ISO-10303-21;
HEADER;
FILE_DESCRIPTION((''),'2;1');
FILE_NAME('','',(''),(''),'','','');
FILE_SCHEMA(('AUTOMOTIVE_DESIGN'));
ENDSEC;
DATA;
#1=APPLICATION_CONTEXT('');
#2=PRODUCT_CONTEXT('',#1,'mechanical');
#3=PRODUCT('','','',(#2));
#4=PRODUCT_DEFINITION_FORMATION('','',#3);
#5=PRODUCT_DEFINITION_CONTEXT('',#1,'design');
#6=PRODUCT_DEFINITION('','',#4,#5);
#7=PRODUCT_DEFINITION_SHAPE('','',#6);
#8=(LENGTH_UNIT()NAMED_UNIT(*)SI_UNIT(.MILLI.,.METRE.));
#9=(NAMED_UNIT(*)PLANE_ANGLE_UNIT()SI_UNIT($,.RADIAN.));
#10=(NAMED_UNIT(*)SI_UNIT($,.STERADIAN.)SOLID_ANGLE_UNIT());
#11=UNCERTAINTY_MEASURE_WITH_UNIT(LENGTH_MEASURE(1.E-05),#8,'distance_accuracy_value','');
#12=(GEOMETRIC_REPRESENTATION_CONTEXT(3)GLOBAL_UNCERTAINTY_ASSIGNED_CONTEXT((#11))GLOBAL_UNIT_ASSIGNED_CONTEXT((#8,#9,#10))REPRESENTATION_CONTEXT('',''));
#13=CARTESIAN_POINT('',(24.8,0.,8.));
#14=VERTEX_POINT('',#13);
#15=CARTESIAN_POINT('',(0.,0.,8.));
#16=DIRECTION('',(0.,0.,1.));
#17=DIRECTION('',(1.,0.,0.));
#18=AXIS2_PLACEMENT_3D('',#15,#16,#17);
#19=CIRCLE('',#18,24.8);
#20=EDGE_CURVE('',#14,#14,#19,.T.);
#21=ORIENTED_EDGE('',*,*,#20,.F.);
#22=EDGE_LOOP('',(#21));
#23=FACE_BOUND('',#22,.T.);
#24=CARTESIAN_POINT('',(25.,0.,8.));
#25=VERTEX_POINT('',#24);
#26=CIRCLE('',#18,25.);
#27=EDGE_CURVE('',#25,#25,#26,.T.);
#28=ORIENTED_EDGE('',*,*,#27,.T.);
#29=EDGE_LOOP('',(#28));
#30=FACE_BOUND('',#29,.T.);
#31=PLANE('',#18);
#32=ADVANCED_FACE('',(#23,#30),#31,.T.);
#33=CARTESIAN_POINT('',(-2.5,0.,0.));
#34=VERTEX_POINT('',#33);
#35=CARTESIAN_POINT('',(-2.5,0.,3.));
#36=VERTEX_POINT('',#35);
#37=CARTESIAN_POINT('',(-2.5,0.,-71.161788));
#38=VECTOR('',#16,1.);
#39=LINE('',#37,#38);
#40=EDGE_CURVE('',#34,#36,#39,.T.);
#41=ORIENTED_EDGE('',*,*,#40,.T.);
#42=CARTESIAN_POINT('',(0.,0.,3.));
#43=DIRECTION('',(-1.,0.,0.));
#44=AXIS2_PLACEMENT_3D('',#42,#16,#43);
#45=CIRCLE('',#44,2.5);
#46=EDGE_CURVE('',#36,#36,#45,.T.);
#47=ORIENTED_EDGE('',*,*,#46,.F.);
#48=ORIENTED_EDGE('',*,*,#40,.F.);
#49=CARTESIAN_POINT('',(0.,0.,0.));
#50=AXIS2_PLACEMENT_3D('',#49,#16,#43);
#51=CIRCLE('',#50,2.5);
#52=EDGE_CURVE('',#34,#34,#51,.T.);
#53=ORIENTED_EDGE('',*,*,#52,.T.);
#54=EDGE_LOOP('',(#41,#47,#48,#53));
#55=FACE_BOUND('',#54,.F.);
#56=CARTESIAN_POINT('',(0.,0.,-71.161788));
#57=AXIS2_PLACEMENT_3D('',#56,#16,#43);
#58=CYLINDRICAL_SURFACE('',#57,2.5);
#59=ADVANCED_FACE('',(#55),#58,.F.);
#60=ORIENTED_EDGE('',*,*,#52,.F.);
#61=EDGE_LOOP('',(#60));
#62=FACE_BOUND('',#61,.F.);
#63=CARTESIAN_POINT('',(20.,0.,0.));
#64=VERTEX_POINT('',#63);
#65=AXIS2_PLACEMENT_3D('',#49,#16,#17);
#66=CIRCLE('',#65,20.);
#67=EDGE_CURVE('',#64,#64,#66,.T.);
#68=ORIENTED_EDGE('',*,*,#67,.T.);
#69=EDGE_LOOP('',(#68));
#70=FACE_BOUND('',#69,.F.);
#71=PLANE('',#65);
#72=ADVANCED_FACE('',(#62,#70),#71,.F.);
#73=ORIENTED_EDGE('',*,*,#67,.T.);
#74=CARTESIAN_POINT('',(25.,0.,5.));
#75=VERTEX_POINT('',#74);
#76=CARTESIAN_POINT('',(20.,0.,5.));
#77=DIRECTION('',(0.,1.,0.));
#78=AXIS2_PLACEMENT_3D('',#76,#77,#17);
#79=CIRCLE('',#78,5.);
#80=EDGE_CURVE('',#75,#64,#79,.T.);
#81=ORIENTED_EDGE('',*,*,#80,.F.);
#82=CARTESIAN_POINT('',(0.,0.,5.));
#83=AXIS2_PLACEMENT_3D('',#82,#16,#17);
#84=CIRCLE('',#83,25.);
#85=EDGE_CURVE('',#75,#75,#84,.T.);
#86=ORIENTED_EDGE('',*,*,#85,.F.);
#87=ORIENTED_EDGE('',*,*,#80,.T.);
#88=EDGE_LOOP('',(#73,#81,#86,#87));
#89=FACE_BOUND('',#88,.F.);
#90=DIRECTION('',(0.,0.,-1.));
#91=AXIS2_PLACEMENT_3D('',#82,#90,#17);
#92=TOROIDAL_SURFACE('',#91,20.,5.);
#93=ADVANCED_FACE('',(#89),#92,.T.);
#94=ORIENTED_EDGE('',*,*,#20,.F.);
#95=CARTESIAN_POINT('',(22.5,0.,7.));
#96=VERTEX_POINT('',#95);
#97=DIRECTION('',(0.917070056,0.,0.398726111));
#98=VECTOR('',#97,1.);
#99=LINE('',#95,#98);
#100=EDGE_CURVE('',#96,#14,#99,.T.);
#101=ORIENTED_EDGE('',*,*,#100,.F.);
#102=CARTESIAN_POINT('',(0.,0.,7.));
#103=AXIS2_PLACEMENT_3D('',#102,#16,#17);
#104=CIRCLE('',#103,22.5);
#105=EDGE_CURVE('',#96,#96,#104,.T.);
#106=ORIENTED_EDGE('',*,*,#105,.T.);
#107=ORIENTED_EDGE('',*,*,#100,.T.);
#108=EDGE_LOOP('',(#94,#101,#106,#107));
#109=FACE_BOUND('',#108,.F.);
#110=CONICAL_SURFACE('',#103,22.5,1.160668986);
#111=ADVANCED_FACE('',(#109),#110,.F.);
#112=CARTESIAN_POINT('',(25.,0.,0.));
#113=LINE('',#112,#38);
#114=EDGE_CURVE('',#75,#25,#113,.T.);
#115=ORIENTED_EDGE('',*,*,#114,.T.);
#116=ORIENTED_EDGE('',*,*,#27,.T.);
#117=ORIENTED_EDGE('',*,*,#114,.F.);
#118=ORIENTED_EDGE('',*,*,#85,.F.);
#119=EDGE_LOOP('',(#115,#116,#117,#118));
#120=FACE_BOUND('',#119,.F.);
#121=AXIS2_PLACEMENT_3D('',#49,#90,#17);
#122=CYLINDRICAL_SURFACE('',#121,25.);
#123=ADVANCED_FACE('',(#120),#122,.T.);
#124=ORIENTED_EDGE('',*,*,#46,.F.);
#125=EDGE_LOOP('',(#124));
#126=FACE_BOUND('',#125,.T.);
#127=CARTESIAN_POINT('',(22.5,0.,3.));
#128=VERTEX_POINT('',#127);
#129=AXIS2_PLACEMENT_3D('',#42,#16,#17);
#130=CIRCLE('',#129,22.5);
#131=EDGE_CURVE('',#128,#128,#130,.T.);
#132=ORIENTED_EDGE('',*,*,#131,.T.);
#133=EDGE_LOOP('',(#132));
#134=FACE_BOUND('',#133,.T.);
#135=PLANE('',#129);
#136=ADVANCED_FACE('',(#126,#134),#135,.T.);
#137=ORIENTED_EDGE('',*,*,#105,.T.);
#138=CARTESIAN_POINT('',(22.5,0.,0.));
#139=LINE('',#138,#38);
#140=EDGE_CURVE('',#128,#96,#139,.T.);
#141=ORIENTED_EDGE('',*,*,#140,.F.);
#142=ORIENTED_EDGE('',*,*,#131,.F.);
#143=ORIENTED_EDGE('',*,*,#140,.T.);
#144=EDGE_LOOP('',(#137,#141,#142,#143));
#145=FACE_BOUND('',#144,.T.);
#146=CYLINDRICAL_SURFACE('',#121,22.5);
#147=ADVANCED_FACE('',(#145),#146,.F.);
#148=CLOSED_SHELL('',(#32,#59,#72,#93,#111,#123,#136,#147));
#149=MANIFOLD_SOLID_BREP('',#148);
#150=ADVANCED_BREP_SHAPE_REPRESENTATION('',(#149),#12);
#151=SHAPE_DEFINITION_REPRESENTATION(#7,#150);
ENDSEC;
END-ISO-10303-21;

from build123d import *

# Parameters (mm, degrees)
F0_R     = 22.5
F1_DEPTH = 3
F0_R_2   = 25
F2_DEPTH = 8
F3_R     = 5
F4_SIZE2 = 2.3
F4_SIZE  = 1
F5_D     = 5


with BuildPart() as f1:
    # F0 (on Top) → F1 (new body)
    with BuildSketch(Plane.XY):
        Circle(F0_R)
    extrude(amount=F1_DEPTH)

    # F0 (on Top) → F2 (join)
    with BuildSketch(Plane.XY):
        Circle(F0_R_2)
        Circle(F0_R, mode=Mode.SUBTRACT)
    extrude(amount=F2_DEPTH)

    # F3
    f3_edges = [f1.edges().sort_by_distance(p)[0] for p in [
        (-25, 0, 0),
    ]]
    fillet(f3_edges, radius=F3_R)

    # F4
    f4_edges = [f1.edges().sort_by_distance(p)[0] for p in [
        (-22.5, 0, 8),
    ]]
    f4_side = f1.faces().sort_by_distance((-22.5, 0, 5.5))[0]
    chamfer(f4_edges, length=F4_SIZE, length2=F4_SIZE2, reference=f4_side)

    # F5 (through all)
    with Locations(Plane(origin=(0, 0, 0), x_dir=(1, 0, 0), z_dir=(0, 0, -1))):
        with Locations((0, 0)):
            Hole(F5_D / 2)


solid = f1.part
